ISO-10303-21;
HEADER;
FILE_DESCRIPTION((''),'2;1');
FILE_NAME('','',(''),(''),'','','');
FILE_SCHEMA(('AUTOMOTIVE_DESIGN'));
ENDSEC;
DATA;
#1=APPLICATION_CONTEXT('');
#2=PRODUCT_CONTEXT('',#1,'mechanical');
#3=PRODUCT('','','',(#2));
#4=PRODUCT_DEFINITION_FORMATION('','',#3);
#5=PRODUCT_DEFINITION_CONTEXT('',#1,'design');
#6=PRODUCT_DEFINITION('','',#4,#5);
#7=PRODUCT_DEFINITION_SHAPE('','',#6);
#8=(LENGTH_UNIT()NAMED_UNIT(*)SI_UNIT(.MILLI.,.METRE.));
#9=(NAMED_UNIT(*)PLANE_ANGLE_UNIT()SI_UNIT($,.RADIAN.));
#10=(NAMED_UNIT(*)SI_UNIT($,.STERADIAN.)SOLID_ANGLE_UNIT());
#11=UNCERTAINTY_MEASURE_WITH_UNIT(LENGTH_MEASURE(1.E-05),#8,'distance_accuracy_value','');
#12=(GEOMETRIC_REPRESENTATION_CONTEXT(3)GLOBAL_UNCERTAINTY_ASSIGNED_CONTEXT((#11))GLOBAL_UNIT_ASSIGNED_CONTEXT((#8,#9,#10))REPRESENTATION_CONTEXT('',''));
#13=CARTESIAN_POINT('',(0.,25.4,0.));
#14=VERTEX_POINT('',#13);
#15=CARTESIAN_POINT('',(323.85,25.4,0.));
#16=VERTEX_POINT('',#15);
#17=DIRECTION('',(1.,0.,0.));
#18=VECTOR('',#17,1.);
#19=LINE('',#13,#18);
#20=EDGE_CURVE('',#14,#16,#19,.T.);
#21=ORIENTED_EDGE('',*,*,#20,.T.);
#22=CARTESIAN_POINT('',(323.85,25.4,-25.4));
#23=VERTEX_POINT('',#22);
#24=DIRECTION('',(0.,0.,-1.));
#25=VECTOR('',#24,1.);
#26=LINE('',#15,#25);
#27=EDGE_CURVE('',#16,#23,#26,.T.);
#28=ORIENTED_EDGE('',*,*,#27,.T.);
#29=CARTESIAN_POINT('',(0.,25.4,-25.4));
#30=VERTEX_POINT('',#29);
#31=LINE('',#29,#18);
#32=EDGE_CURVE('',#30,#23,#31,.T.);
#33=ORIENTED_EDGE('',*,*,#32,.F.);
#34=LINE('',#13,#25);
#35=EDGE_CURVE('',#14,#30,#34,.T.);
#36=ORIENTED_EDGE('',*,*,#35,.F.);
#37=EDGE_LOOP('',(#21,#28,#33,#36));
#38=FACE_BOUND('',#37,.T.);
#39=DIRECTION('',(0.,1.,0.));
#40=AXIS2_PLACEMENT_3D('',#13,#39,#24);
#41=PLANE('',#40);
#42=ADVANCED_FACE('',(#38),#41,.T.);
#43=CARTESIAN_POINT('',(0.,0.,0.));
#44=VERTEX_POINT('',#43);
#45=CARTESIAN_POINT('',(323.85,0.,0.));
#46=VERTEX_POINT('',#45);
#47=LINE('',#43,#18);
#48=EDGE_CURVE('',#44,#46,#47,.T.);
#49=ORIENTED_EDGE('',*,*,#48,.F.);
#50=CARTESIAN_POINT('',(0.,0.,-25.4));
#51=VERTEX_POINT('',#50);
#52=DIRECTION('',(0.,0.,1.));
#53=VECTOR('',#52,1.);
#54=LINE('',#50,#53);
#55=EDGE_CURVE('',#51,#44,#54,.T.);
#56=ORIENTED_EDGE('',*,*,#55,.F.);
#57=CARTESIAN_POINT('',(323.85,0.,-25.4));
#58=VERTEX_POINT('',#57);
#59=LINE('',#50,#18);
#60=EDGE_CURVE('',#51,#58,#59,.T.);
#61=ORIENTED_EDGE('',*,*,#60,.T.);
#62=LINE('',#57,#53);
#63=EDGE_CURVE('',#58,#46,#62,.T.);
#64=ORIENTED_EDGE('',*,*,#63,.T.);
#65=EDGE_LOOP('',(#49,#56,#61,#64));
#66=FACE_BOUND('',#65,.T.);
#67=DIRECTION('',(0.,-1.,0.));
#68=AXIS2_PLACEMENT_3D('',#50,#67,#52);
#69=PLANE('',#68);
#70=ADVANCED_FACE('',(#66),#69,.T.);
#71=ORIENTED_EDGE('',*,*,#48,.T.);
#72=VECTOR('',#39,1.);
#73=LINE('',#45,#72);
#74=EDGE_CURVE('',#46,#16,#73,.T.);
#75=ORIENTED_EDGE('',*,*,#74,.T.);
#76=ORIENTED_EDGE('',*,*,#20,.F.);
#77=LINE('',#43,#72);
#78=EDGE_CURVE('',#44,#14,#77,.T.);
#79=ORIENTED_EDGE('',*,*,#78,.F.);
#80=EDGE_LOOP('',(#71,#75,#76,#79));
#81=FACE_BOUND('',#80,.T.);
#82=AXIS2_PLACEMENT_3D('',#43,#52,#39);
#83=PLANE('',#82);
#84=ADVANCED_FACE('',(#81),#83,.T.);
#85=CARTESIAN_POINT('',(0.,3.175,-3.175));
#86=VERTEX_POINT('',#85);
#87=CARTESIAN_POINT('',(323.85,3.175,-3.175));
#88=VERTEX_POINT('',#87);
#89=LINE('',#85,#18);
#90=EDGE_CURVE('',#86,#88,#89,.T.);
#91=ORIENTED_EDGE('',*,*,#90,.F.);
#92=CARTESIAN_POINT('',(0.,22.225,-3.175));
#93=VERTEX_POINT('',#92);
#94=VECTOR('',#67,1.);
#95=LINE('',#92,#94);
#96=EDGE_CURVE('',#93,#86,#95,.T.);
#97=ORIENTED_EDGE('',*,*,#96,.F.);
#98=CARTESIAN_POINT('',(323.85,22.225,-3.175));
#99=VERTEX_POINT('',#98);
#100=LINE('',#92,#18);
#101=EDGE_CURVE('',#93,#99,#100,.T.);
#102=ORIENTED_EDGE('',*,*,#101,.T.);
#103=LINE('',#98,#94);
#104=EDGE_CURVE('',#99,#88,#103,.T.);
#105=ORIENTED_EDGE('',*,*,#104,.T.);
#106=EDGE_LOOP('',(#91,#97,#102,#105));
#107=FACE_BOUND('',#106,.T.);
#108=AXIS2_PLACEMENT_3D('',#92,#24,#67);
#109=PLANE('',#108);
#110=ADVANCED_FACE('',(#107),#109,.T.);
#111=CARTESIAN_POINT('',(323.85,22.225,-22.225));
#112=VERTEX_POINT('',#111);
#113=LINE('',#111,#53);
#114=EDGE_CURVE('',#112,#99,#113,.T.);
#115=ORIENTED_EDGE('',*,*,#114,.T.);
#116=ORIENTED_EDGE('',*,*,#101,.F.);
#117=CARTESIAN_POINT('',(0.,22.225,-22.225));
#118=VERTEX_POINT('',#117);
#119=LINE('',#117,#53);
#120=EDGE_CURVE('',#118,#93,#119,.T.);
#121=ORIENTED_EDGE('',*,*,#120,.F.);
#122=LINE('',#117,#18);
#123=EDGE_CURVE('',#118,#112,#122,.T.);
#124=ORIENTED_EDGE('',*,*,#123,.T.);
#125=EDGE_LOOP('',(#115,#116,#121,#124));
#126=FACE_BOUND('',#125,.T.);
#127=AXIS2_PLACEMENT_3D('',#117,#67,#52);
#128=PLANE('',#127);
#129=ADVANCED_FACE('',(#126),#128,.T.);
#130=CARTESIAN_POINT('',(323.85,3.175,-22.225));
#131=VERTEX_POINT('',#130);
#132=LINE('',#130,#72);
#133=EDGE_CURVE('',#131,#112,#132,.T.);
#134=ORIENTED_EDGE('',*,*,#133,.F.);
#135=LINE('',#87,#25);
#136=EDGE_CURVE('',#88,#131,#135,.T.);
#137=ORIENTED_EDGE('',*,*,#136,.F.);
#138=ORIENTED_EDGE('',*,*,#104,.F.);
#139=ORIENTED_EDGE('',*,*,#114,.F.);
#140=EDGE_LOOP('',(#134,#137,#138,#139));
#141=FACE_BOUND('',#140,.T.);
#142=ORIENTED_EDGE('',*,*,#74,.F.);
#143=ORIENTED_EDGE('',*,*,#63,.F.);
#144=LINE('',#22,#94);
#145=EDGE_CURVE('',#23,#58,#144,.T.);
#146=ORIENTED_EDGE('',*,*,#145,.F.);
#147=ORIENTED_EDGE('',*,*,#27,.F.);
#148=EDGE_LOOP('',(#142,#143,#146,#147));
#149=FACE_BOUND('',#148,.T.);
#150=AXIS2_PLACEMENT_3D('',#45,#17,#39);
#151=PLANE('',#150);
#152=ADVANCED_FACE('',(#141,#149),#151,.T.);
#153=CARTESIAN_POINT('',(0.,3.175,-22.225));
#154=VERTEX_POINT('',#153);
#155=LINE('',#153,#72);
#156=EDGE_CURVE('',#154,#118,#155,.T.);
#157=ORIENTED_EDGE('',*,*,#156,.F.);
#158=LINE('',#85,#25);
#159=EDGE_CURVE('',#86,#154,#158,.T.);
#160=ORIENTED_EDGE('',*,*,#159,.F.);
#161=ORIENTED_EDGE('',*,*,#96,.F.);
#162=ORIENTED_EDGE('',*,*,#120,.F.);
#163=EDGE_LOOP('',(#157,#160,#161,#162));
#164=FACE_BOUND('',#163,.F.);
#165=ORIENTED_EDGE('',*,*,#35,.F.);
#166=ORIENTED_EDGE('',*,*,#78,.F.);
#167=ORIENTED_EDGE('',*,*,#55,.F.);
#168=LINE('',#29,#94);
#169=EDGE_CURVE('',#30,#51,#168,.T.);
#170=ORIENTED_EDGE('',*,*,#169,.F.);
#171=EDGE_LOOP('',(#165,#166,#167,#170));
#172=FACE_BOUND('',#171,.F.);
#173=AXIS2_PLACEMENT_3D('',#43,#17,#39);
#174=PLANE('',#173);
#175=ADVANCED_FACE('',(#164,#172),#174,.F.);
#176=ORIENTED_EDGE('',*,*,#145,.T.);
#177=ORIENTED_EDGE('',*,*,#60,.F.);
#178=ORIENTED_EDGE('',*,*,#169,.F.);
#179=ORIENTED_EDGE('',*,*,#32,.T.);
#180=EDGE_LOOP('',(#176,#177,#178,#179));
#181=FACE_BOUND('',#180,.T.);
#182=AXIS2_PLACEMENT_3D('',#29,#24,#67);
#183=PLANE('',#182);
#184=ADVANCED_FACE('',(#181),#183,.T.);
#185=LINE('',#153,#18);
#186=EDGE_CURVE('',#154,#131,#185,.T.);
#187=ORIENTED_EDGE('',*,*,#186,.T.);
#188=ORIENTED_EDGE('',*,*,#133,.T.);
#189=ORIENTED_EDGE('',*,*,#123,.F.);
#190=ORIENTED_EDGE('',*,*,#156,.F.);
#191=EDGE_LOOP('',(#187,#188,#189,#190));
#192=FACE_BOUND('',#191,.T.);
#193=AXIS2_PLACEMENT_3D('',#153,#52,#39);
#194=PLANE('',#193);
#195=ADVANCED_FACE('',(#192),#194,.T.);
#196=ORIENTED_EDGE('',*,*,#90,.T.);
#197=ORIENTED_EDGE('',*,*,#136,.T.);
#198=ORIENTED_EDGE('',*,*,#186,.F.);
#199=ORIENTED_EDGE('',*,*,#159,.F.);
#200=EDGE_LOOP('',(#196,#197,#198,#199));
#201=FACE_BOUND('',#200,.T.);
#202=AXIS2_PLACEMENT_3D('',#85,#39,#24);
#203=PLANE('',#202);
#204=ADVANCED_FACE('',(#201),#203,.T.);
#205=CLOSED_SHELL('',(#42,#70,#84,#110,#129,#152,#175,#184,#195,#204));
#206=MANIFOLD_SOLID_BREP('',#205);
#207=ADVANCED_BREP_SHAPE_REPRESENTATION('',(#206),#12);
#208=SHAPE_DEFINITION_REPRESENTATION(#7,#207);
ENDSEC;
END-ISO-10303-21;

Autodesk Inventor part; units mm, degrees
ref_plane "YZ Plane" through (0, 0, 0) normal (1, 0, 0) x (0, 1, 0)
ref_plane "XZ Plane" through (0, 0, 0) normal (0, 1, 0) x (-1, 0, 0)
ref_plane "XY Plane" through (0, 0, 0) normal (0, 0, 1) x (1, 0, 0)
sketch "Sketch1" plane through (0, 0, 0) normal (1, 0, 0) x (0, 1, 0)
  line L0 (0, 0) -> (25.4, 0)
  line L1 (25.4, 0) -> (25.4, -25.4)
  line L2 (25.4, -25.4) -> (0, -25.4)
  line L3 (0, -25.4) -> (0, 0)
  line L4 (22.225, -22.225) -> (22.225, -3.175)
  line L5 (22.225, -3.175) -> (3.175, -3.175)
  line L6 (3.175, -3.175) -> (3.175, -22.225)
  line L7 (3.175, -22.225) -> (22.225, -22.225)
  dimension "d0" = 25.4
  dimension "d1" = 25.4
  dimension "d2" = 3.175
extrude "Extrusion1" add sketch "Sketch1" along normal blind 323.85
properties part number "12.75x1x1liftbar" material "Aluminum 6061"
